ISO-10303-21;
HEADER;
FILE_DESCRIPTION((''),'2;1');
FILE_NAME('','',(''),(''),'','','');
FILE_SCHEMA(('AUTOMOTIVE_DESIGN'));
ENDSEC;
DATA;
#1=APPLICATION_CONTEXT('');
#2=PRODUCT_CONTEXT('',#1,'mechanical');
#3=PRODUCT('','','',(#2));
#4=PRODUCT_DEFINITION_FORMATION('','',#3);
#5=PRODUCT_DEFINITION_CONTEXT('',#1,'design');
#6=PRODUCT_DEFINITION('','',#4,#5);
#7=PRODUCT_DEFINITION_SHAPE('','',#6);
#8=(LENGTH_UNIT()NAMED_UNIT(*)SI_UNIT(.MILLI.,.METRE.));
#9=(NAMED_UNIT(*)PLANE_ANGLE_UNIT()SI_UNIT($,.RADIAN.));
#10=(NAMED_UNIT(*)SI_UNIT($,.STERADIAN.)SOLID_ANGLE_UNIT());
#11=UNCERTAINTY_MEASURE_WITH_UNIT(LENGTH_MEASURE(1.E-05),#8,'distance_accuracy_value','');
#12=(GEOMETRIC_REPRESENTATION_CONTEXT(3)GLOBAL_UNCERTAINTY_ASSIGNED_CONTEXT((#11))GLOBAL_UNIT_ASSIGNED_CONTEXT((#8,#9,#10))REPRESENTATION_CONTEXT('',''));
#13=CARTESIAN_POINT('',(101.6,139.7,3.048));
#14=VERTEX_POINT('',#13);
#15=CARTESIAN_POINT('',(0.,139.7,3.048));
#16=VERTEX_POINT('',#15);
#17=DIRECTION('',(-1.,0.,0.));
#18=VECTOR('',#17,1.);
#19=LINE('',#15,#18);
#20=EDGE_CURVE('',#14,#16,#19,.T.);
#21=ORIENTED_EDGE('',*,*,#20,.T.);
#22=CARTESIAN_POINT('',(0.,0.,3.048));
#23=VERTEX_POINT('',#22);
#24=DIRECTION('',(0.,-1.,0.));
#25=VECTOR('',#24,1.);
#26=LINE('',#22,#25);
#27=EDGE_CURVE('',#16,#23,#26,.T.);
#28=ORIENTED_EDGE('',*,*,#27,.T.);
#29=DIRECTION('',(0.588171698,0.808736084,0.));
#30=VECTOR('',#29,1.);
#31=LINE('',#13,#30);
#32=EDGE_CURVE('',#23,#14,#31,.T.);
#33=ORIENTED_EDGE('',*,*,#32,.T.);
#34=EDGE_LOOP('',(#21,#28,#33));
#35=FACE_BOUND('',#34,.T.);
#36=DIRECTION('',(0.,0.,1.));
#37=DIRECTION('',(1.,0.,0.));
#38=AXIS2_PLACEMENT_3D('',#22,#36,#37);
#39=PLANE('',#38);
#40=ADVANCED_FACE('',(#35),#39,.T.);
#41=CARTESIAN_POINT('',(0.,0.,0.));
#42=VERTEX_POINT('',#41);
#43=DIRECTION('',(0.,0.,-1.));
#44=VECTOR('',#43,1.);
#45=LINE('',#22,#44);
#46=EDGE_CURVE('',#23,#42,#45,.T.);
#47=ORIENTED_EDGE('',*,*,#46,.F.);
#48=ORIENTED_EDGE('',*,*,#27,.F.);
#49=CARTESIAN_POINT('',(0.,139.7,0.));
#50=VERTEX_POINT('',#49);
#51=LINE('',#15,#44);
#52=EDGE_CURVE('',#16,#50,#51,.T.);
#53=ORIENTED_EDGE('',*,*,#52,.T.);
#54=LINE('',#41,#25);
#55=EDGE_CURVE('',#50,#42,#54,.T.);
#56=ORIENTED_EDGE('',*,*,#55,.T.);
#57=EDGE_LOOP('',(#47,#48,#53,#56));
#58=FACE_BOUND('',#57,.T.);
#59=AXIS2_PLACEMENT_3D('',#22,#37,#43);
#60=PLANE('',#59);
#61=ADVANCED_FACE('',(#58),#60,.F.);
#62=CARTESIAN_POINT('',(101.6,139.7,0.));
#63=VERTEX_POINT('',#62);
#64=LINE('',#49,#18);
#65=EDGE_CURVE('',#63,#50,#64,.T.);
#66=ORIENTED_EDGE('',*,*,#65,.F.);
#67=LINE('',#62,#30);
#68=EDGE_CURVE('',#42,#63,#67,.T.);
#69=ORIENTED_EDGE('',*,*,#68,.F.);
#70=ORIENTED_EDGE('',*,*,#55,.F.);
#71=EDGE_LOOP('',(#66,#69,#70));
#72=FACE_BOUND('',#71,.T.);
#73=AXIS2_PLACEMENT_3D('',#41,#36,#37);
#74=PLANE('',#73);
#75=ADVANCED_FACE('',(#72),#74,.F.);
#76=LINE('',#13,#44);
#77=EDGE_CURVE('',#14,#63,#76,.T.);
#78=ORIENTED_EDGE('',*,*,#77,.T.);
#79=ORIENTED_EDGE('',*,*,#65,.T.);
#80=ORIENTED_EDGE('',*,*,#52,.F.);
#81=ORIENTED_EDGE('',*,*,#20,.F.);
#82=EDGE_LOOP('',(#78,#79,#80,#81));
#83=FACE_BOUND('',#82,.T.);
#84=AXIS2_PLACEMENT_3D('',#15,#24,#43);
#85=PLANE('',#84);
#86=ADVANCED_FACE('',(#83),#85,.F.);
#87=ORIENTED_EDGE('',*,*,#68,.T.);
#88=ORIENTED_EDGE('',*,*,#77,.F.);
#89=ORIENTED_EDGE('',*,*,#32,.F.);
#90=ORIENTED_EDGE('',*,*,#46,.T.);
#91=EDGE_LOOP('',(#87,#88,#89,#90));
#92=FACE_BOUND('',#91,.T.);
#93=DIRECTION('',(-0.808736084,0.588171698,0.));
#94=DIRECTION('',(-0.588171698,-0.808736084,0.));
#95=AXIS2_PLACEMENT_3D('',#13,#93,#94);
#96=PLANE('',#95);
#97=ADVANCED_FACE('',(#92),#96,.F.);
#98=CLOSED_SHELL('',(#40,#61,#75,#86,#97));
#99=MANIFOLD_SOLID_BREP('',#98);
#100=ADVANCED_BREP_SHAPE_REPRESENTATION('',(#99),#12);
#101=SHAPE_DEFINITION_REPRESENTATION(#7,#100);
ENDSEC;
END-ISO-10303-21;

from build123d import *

# Parameters (mm, degrees)
BOSS_EXTRUDE1_DEPTH = 3.048


with BuildPart() as part:
    # Sketch1 → Boss-Extrude1 (new body)
    with BuildSketch(Plane.XY):
        Polygon((0, 0), (0, 139.7), (101.6, 139.7), align=None)
    extrude(amount=BOSS_EXTRUDE1_DEPTH)


solid = part.part
